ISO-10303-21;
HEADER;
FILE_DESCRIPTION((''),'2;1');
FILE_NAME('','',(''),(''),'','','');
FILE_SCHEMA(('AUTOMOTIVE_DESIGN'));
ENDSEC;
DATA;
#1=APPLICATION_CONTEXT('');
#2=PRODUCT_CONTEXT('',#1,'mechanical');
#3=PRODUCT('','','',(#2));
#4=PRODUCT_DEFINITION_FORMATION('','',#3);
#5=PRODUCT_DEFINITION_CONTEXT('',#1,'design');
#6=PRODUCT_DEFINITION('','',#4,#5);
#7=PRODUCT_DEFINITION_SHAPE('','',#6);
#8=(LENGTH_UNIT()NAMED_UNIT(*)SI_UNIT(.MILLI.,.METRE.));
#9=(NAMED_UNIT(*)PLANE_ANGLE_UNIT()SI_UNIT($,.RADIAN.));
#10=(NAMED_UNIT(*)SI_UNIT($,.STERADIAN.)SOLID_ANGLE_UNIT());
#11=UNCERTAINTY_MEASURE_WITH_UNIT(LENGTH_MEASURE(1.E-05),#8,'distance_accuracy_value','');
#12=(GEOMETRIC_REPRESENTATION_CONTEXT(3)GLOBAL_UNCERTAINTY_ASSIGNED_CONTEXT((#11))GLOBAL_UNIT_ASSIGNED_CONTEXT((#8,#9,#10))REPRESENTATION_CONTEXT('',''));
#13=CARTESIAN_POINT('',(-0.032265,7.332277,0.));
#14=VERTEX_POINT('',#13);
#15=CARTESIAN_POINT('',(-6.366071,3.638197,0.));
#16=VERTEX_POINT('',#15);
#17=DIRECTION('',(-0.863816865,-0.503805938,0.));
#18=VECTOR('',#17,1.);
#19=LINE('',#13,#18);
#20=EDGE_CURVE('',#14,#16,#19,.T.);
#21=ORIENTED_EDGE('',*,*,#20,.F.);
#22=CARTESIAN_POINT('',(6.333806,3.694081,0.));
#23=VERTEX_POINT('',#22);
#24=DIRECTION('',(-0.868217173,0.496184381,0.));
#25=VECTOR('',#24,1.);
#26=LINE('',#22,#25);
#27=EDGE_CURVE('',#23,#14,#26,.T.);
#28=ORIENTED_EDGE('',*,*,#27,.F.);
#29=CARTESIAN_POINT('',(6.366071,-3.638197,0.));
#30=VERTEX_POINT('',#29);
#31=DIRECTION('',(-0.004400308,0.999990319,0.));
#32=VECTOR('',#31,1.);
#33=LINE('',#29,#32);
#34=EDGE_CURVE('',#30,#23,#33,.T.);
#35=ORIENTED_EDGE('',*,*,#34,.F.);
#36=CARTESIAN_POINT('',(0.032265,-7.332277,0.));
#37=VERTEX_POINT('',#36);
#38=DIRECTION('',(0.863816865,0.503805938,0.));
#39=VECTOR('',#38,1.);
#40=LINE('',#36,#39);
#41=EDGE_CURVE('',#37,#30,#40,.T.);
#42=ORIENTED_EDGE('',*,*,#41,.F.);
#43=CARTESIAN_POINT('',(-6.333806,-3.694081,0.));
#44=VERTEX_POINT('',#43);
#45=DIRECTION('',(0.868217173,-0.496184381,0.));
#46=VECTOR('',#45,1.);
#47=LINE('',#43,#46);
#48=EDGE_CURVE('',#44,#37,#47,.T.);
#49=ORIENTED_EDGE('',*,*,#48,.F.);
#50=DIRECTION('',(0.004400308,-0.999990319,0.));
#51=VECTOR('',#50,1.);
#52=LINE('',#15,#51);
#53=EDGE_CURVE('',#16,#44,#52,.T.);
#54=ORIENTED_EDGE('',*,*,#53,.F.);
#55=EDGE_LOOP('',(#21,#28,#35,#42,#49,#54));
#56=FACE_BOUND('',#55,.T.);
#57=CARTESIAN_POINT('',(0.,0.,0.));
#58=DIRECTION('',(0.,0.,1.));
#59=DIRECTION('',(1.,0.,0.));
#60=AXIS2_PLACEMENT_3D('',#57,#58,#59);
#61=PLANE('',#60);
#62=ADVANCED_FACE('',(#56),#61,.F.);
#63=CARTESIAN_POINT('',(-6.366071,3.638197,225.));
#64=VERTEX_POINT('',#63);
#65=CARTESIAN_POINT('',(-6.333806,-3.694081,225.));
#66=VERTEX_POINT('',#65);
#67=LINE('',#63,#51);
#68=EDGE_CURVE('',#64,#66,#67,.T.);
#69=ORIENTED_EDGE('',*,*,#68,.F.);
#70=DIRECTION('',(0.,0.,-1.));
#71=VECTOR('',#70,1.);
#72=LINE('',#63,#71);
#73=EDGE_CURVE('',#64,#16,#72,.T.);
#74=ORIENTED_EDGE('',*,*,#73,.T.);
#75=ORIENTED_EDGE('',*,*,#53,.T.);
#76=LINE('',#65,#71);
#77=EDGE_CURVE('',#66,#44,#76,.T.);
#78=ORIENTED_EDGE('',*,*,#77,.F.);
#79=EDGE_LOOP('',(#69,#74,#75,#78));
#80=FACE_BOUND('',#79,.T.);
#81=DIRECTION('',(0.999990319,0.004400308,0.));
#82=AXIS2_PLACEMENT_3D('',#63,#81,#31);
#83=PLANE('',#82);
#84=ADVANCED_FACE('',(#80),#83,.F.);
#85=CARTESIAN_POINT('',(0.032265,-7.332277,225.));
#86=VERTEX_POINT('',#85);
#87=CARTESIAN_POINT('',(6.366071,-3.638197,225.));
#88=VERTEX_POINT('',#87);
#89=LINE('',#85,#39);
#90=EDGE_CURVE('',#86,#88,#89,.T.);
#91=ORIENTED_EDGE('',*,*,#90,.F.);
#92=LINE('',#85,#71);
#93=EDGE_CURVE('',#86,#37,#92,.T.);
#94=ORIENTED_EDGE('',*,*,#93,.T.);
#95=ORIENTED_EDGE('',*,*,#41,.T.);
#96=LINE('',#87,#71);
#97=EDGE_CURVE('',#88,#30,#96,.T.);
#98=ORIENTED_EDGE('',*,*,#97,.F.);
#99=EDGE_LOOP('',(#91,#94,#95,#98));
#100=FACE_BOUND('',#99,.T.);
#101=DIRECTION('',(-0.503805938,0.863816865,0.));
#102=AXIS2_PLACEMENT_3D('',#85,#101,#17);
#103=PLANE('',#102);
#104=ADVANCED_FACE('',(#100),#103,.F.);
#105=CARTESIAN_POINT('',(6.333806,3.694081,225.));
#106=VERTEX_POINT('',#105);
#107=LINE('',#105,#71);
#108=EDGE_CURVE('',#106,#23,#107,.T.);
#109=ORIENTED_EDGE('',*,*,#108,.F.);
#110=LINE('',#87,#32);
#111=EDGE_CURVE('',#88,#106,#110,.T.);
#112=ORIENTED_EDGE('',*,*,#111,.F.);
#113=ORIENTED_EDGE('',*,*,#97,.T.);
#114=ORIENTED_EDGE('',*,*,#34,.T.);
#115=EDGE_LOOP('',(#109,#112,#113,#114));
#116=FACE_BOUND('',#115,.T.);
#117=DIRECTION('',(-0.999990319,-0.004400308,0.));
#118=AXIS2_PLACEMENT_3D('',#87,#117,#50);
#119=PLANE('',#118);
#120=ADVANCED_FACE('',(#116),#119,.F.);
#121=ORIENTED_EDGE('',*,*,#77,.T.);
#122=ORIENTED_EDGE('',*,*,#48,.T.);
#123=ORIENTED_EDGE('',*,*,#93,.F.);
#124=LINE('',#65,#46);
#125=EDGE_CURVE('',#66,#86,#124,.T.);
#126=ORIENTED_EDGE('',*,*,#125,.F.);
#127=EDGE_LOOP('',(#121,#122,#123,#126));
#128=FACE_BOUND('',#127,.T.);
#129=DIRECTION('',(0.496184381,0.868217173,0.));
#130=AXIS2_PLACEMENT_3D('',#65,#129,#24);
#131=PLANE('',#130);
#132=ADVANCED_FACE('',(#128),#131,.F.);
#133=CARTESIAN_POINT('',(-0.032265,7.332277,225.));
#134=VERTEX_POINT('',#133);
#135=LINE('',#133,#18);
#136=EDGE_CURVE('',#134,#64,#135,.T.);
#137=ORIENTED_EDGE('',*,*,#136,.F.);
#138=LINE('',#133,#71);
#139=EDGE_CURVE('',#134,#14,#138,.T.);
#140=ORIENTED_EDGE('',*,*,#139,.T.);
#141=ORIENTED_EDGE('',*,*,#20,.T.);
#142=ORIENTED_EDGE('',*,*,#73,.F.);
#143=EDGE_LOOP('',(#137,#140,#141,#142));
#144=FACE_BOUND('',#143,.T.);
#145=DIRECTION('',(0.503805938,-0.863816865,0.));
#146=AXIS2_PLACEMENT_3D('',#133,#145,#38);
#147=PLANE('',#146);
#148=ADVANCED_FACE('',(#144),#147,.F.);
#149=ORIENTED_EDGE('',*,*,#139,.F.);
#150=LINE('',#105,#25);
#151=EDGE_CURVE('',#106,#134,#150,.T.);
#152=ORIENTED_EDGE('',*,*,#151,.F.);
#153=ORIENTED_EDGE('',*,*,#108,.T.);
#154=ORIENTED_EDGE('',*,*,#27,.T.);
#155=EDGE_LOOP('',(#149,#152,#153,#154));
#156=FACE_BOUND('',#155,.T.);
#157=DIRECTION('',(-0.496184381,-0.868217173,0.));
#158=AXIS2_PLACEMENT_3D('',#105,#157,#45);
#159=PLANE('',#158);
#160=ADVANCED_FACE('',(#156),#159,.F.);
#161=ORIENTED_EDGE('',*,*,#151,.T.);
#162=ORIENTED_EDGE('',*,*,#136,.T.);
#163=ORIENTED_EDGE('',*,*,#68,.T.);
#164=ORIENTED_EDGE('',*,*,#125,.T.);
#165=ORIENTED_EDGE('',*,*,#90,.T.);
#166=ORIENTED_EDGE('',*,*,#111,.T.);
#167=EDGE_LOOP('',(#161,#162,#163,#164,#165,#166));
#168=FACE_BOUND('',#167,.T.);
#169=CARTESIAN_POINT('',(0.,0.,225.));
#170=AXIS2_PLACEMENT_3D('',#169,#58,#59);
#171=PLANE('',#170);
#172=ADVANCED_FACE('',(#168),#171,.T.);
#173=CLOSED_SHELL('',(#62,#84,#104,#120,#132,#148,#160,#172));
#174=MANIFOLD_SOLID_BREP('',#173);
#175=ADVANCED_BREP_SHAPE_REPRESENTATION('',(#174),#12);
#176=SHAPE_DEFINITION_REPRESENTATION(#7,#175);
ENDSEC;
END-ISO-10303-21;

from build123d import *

# Parameters (mm, degrees)
BOSS_EXTRUDE1_DEPTH = 225


with BuildPart() as part:
    # Sketch1 → Boss-Extrude1 (new body)
    with BuildSketch(Plane.XY):
        Polygon((6.333806227, 3.694080672), (-0.032264592, 7.332277431), (-6.366070819, 3.638196759), (-6.333806227, -3.694080672), (0.032264592, -7.332277431), (6.366070819, -3.638196759), align=None)
    extrude(amount=BOSS_EXTRUDE1_DEPTH)


solid = part.part
